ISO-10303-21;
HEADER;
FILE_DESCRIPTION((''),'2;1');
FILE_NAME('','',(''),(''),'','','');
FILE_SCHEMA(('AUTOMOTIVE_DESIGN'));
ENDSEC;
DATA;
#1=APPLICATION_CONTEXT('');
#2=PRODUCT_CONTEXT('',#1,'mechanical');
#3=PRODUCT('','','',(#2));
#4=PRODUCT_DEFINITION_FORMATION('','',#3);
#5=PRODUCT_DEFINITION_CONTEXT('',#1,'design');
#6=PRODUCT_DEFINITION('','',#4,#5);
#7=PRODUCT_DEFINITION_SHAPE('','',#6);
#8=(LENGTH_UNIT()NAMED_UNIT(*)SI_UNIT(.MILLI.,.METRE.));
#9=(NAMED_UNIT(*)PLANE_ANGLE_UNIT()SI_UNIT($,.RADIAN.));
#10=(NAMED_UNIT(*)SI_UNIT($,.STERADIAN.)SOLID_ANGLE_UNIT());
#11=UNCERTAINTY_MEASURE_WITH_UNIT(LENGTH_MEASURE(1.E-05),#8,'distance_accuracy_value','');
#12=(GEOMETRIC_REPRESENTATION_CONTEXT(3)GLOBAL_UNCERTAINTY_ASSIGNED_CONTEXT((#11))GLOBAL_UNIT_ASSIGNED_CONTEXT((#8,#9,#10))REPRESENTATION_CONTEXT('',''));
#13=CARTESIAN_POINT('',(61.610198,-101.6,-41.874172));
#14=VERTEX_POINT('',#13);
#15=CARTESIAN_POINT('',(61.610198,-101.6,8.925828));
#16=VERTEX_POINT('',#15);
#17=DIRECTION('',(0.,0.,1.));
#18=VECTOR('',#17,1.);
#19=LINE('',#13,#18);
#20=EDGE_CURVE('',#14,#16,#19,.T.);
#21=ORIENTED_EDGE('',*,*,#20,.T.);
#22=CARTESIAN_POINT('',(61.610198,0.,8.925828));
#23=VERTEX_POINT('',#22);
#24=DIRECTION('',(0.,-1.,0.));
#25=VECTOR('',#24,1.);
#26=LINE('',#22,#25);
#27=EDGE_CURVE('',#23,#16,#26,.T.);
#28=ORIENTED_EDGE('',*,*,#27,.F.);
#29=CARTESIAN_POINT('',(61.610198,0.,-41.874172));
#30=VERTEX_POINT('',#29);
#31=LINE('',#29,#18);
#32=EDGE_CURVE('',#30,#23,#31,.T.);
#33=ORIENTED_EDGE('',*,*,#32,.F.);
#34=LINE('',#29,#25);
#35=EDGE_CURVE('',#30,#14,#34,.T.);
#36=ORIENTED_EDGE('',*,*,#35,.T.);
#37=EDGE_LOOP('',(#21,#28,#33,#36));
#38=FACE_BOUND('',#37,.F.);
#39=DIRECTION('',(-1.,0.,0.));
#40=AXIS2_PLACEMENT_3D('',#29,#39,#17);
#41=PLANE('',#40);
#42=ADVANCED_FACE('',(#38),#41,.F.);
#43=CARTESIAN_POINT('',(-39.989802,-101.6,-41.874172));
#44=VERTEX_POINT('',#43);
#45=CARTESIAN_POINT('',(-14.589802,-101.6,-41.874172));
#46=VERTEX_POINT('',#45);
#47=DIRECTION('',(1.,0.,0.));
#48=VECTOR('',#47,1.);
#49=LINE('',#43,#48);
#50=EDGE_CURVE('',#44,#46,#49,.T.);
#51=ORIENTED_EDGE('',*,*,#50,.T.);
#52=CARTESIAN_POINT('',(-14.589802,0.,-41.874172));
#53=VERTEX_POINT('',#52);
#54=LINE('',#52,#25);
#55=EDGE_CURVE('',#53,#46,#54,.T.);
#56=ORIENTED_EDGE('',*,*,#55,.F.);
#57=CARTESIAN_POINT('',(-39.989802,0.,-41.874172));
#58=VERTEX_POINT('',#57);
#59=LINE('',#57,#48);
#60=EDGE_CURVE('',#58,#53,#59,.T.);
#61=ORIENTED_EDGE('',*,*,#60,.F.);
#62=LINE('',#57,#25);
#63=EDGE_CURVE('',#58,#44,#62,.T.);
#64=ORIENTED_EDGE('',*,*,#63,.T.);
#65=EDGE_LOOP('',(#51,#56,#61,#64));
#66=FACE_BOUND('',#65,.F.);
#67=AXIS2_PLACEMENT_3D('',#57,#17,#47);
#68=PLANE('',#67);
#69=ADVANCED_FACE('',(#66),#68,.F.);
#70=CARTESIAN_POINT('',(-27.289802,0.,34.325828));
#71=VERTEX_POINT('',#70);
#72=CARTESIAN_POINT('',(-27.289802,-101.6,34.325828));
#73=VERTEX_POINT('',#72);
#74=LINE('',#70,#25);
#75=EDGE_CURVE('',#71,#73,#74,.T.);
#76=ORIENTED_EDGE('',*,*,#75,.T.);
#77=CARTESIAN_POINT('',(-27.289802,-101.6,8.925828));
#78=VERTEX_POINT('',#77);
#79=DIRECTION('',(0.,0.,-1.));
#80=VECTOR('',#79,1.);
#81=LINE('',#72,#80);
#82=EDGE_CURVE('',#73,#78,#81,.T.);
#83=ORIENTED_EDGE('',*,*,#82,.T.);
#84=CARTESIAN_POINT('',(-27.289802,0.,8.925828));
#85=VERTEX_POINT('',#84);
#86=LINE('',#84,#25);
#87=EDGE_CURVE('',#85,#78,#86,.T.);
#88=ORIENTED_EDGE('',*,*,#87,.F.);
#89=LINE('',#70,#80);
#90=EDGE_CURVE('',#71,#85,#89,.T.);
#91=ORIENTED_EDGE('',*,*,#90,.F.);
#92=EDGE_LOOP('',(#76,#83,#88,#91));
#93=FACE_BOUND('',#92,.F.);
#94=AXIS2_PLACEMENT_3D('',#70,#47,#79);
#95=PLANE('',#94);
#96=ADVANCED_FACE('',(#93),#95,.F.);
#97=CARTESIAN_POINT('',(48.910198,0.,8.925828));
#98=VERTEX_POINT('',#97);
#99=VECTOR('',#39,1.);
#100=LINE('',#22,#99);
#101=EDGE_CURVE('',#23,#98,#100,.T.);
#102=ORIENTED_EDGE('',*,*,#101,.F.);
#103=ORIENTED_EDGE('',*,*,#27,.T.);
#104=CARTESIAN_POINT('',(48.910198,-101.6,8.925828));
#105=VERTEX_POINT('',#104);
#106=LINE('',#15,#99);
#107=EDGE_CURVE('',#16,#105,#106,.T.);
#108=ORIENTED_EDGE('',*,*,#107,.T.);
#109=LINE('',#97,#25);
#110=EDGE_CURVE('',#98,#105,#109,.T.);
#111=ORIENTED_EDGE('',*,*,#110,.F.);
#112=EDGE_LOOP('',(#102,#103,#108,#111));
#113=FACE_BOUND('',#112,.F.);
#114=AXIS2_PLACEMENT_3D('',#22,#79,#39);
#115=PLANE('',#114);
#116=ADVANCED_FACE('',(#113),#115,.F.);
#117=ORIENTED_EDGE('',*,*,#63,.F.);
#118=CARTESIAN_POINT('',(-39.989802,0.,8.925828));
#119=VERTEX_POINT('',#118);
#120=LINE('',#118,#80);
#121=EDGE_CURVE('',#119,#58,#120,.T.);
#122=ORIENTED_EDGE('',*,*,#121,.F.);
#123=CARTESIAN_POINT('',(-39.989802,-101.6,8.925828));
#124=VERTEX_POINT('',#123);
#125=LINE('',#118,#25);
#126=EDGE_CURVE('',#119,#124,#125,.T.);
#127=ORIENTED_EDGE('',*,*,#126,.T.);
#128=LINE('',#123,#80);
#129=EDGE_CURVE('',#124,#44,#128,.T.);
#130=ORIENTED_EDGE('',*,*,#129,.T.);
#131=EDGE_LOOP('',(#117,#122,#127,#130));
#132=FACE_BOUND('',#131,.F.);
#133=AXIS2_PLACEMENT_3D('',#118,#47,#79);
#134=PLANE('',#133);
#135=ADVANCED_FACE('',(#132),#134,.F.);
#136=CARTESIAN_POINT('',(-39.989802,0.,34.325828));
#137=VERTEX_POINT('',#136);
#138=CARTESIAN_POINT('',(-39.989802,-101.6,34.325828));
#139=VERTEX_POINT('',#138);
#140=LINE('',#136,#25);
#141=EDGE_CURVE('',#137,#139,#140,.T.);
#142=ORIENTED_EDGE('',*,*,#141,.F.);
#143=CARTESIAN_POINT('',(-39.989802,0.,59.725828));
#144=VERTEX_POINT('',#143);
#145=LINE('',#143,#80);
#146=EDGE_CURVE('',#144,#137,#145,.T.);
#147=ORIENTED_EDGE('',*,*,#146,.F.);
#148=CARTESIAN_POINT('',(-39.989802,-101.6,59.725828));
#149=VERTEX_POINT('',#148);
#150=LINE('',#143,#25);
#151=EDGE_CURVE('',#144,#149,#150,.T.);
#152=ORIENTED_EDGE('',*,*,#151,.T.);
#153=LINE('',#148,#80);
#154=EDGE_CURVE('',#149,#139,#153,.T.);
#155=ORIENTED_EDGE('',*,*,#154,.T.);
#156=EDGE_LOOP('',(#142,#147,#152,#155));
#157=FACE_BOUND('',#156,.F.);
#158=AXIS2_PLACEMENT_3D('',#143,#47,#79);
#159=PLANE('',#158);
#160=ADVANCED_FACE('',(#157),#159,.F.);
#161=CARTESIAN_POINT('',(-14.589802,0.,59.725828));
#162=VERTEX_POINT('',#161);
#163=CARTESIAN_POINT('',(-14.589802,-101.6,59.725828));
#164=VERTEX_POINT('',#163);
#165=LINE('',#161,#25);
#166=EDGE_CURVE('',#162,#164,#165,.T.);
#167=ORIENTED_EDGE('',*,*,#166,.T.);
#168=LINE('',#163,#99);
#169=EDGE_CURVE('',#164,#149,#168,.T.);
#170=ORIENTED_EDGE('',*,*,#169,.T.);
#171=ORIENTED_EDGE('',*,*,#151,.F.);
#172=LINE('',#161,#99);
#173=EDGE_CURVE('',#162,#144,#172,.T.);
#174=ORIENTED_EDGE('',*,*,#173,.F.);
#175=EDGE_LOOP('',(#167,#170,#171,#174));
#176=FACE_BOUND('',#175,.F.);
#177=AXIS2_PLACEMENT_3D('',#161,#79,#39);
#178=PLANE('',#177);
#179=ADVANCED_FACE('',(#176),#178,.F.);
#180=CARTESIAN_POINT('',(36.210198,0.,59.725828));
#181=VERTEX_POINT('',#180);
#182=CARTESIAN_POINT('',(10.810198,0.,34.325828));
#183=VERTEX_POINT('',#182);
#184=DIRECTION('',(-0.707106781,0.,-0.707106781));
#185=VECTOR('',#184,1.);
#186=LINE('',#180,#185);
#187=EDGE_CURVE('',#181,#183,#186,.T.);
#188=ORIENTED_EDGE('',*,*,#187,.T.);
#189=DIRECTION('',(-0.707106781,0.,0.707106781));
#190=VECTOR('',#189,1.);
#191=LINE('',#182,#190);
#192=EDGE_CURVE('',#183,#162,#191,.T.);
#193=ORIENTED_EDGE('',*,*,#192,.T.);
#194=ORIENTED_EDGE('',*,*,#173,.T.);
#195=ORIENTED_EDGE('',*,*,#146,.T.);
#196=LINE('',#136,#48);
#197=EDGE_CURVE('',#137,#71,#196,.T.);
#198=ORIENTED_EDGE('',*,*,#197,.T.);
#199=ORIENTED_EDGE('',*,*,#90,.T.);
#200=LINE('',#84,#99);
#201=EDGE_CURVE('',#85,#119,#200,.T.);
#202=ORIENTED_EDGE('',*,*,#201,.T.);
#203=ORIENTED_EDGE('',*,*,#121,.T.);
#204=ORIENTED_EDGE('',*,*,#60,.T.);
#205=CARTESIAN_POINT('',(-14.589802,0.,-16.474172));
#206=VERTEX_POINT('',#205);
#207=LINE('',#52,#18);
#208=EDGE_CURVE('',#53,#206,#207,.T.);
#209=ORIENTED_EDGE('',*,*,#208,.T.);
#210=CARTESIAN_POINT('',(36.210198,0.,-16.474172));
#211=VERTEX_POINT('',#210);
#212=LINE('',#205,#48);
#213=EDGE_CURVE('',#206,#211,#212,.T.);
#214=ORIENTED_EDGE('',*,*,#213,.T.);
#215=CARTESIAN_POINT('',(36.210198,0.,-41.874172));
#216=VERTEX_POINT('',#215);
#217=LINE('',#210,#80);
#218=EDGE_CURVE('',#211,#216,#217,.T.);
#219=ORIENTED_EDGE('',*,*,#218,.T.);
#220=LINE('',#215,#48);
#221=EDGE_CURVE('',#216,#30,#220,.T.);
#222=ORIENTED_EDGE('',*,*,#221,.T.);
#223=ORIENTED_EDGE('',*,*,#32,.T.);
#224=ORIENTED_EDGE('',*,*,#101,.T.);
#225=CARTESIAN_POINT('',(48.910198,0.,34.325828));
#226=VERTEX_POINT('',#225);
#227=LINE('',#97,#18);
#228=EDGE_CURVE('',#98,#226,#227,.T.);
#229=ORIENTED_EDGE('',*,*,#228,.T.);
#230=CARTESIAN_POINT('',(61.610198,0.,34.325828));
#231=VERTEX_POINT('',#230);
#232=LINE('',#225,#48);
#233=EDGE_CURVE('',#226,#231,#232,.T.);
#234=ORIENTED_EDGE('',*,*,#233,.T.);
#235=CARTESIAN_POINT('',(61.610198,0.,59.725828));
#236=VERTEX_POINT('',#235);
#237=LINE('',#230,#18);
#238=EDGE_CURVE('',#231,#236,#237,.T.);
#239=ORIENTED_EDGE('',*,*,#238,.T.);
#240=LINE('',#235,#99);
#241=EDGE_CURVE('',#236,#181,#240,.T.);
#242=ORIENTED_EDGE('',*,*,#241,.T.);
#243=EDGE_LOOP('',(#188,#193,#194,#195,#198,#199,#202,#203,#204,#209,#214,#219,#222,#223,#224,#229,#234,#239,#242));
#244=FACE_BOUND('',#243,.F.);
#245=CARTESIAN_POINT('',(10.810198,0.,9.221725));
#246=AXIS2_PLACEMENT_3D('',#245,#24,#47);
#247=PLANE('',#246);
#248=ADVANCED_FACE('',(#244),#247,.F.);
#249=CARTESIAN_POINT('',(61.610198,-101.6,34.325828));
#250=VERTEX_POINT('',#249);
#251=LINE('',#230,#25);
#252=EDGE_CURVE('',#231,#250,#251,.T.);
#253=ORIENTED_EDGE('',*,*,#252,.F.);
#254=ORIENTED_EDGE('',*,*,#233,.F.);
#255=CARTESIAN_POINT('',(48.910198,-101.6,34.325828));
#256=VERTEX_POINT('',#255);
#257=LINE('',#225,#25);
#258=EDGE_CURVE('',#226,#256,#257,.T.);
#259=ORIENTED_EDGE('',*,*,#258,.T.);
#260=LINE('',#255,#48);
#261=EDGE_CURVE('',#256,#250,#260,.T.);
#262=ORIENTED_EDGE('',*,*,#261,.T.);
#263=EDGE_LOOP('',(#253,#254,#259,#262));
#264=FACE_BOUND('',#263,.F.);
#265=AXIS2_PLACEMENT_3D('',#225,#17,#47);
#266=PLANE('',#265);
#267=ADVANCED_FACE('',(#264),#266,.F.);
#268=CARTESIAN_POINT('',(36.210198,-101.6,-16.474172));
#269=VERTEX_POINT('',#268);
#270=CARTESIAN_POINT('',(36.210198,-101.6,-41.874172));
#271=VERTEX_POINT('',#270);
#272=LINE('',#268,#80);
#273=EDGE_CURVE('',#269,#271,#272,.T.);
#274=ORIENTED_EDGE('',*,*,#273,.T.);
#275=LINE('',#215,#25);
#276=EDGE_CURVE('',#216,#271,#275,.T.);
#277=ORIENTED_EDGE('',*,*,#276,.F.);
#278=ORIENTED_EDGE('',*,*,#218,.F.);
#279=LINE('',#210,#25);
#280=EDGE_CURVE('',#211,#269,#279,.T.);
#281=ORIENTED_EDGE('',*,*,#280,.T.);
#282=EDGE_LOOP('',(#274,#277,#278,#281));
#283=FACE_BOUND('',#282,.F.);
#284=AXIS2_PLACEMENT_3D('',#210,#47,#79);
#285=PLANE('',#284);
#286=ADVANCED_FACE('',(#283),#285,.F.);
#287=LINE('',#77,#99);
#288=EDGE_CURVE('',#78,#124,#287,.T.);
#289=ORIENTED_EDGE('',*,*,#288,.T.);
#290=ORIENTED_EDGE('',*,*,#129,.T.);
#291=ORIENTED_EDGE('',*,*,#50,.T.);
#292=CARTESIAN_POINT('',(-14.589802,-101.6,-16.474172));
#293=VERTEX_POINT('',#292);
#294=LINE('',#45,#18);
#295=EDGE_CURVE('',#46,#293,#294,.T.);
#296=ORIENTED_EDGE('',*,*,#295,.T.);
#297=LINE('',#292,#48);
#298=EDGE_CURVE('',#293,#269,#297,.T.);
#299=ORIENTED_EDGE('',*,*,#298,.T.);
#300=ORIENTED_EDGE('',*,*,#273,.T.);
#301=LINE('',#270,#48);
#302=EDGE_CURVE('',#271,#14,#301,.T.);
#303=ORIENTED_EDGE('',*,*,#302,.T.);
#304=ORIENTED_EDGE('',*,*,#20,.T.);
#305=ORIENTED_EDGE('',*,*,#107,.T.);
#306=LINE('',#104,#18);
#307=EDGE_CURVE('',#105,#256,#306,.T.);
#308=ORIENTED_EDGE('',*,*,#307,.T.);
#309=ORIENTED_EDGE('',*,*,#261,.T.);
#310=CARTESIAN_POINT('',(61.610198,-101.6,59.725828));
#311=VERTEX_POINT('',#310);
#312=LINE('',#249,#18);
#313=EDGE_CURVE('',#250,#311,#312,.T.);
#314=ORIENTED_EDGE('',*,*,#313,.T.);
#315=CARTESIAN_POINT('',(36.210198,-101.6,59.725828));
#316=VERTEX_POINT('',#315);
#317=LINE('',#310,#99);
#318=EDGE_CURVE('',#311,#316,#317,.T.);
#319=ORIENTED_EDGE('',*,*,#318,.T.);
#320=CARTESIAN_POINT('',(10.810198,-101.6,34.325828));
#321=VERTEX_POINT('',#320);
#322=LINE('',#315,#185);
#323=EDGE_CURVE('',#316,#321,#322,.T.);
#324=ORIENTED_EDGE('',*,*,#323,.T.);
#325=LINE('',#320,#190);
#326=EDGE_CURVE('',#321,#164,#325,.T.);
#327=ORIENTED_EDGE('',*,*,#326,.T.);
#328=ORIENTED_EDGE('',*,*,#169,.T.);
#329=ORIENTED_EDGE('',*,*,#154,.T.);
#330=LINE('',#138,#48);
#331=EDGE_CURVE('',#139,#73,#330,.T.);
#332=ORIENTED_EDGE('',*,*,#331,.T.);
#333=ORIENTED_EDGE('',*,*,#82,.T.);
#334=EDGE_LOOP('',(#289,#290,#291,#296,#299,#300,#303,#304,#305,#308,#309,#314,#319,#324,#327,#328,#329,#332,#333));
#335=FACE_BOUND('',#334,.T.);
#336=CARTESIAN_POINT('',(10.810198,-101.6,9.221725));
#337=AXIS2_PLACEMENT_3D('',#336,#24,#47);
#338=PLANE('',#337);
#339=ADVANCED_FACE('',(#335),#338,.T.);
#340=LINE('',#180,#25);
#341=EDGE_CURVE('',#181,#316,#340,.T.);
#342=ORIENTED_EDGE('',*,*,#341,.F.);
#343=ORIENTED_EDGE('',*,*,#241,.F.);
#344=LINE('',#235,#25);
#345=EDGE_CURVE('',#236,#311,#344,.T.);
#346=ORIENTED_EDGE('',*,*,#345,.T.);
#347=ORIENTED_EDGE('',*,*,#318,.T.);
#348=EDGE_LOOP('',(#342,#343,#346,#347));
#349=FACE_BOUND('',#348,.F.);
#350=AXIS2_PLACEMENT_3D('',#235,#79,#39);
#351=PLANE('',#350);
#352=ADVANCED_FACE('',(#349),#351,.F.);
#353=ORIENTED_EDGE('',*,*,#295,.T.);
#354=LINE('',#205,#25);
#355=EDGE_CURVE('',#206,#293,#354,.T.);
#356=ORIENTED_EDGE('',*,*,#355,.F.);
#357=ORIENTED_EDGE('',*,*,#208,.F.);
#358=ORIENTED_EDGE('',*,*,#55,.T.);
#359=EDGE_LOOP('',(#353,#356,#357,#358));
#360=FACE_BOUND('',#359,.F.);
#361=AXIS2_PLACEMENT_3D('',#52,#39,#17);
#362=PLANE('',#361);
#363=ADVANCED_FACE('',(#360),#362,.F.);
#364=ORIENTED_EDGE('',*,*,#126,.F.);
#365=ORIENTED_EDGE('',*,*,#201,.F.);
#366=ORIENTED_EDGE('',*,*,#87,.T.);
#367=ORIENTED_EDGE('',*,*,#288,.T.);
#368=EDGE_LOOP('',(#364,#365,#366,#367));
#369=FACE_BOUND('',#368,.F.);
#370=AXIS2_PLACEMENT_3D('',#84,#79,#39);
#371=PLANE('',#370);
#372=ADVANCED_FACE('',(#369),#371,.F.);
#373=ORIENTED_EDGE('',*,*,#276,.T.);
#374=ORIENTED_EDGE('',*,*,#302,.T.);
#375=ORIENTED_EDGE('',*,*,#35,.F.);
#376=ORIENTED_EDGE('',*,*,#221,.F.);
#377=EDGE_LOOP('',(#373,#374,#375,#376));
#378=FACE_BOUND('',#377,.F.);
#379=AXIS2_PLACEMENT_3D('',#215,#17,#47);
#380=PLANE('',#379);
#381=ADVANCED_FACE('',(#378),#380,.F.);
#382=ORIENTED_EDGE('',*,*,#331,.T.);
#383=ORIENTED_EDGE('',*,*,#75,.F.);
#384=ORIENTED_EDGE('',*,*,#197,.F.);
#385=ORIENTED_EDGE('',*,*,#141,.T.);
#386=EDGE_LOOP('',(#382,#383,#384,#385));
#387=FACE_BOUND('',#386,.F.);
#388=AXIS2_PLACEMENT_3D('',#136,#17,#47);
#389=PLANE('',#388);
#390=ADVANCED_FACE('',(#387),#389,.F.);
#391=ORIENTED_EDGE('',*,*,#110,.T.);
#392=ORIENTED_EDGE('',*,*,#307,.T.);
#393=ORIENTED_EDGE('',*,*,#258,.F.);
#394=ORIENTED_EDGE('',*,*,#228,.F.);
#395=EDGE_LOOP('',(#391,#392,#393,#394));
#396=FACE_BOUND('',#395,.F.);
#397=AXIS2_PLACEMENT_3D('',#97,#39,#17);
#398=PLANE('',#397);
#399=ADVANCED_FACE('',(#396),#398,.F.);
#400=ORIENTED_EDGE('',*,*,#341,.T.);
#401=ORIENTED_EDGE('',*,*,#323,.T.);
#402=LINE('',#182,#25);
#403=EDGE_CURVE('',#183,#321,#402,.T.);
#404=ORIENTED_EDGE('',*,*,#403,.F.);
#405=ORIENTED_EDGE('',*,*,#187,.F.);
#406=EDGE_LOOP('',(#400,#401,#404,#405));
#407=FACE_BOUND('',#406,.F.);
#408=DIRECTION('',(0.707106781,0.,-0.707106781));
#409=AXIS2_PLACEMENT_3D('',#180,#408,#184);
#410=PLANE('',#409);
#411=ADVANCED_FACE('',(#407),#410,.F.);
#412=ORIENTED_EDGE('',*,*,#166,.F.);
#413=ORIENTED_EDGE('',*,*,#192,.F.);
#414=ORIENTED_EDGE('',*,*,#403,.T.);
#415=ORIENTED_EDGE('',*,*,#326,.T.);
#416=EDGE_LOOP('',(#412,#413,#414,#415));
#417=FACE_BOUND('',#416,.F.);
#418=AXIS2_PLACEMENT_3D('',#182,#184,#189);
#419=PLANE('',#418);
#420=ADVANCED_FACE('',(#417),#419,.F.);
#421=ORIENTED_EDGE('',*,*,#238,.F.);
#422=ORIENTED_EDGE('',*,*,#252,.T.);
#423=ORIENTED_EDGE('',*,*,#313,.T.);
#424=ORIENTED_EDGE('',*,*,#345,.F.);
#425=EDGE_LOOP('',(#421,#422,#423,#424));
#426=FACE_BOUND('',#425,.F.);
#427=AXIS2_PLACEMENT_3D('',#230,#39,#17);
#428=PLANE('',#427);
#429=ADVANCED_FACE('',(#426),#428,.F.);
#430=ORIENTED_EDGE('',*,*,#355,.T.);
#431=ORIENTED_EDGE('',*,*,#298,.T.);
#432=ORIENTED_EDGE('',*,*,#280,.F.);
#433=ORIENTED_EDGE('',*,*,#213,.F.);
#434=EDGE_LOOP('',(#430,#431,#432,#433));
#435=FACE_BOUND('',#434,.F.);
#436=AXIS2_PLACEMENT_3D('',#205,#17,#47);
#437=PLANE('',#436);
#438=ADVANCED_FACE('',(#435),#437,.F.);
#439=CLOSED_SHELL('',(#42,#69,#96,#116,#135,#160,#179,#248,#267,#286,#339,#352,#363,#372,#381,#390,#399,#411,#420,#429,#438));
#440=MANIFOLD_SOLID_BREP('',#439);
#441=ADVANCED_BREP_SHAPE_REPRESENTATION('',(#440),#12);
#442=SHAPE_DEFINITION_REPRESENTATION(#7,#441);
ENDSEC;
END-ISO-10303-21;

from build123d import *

# Parameters (mm, degrees)
F1_DEPTH = 101.6


with BuildPart() as f1:
    # F0 (on Front) → F1 (new body)
    with BuildSketch(Plane.XZ):
        Polygon((-39.989802, 8.925828), (-39.989802, -41.874172), (-14.589802, -41.874172), (-14.589802, -16.474172), (36.210198, -16.474172), (36.210198, -41.874172), (61.610198, -41.874172), (61.610198, 8.925828), (48.910198, 8.925828), (48.910198, 34.325828), (61.610198, 34.325828), (61.610198, 59.725828), (36.210198, 59.725828), (10.810198, 34.325828), (-14.589802, 59.725828), (-39.989802, 59.725828), (-39.989802, 34.325828), (-27.289802, 34.325828), (-27.289802, 8.925828), align=None)
    extrude(amount=F1_DEPTH)


solid = f1.part
